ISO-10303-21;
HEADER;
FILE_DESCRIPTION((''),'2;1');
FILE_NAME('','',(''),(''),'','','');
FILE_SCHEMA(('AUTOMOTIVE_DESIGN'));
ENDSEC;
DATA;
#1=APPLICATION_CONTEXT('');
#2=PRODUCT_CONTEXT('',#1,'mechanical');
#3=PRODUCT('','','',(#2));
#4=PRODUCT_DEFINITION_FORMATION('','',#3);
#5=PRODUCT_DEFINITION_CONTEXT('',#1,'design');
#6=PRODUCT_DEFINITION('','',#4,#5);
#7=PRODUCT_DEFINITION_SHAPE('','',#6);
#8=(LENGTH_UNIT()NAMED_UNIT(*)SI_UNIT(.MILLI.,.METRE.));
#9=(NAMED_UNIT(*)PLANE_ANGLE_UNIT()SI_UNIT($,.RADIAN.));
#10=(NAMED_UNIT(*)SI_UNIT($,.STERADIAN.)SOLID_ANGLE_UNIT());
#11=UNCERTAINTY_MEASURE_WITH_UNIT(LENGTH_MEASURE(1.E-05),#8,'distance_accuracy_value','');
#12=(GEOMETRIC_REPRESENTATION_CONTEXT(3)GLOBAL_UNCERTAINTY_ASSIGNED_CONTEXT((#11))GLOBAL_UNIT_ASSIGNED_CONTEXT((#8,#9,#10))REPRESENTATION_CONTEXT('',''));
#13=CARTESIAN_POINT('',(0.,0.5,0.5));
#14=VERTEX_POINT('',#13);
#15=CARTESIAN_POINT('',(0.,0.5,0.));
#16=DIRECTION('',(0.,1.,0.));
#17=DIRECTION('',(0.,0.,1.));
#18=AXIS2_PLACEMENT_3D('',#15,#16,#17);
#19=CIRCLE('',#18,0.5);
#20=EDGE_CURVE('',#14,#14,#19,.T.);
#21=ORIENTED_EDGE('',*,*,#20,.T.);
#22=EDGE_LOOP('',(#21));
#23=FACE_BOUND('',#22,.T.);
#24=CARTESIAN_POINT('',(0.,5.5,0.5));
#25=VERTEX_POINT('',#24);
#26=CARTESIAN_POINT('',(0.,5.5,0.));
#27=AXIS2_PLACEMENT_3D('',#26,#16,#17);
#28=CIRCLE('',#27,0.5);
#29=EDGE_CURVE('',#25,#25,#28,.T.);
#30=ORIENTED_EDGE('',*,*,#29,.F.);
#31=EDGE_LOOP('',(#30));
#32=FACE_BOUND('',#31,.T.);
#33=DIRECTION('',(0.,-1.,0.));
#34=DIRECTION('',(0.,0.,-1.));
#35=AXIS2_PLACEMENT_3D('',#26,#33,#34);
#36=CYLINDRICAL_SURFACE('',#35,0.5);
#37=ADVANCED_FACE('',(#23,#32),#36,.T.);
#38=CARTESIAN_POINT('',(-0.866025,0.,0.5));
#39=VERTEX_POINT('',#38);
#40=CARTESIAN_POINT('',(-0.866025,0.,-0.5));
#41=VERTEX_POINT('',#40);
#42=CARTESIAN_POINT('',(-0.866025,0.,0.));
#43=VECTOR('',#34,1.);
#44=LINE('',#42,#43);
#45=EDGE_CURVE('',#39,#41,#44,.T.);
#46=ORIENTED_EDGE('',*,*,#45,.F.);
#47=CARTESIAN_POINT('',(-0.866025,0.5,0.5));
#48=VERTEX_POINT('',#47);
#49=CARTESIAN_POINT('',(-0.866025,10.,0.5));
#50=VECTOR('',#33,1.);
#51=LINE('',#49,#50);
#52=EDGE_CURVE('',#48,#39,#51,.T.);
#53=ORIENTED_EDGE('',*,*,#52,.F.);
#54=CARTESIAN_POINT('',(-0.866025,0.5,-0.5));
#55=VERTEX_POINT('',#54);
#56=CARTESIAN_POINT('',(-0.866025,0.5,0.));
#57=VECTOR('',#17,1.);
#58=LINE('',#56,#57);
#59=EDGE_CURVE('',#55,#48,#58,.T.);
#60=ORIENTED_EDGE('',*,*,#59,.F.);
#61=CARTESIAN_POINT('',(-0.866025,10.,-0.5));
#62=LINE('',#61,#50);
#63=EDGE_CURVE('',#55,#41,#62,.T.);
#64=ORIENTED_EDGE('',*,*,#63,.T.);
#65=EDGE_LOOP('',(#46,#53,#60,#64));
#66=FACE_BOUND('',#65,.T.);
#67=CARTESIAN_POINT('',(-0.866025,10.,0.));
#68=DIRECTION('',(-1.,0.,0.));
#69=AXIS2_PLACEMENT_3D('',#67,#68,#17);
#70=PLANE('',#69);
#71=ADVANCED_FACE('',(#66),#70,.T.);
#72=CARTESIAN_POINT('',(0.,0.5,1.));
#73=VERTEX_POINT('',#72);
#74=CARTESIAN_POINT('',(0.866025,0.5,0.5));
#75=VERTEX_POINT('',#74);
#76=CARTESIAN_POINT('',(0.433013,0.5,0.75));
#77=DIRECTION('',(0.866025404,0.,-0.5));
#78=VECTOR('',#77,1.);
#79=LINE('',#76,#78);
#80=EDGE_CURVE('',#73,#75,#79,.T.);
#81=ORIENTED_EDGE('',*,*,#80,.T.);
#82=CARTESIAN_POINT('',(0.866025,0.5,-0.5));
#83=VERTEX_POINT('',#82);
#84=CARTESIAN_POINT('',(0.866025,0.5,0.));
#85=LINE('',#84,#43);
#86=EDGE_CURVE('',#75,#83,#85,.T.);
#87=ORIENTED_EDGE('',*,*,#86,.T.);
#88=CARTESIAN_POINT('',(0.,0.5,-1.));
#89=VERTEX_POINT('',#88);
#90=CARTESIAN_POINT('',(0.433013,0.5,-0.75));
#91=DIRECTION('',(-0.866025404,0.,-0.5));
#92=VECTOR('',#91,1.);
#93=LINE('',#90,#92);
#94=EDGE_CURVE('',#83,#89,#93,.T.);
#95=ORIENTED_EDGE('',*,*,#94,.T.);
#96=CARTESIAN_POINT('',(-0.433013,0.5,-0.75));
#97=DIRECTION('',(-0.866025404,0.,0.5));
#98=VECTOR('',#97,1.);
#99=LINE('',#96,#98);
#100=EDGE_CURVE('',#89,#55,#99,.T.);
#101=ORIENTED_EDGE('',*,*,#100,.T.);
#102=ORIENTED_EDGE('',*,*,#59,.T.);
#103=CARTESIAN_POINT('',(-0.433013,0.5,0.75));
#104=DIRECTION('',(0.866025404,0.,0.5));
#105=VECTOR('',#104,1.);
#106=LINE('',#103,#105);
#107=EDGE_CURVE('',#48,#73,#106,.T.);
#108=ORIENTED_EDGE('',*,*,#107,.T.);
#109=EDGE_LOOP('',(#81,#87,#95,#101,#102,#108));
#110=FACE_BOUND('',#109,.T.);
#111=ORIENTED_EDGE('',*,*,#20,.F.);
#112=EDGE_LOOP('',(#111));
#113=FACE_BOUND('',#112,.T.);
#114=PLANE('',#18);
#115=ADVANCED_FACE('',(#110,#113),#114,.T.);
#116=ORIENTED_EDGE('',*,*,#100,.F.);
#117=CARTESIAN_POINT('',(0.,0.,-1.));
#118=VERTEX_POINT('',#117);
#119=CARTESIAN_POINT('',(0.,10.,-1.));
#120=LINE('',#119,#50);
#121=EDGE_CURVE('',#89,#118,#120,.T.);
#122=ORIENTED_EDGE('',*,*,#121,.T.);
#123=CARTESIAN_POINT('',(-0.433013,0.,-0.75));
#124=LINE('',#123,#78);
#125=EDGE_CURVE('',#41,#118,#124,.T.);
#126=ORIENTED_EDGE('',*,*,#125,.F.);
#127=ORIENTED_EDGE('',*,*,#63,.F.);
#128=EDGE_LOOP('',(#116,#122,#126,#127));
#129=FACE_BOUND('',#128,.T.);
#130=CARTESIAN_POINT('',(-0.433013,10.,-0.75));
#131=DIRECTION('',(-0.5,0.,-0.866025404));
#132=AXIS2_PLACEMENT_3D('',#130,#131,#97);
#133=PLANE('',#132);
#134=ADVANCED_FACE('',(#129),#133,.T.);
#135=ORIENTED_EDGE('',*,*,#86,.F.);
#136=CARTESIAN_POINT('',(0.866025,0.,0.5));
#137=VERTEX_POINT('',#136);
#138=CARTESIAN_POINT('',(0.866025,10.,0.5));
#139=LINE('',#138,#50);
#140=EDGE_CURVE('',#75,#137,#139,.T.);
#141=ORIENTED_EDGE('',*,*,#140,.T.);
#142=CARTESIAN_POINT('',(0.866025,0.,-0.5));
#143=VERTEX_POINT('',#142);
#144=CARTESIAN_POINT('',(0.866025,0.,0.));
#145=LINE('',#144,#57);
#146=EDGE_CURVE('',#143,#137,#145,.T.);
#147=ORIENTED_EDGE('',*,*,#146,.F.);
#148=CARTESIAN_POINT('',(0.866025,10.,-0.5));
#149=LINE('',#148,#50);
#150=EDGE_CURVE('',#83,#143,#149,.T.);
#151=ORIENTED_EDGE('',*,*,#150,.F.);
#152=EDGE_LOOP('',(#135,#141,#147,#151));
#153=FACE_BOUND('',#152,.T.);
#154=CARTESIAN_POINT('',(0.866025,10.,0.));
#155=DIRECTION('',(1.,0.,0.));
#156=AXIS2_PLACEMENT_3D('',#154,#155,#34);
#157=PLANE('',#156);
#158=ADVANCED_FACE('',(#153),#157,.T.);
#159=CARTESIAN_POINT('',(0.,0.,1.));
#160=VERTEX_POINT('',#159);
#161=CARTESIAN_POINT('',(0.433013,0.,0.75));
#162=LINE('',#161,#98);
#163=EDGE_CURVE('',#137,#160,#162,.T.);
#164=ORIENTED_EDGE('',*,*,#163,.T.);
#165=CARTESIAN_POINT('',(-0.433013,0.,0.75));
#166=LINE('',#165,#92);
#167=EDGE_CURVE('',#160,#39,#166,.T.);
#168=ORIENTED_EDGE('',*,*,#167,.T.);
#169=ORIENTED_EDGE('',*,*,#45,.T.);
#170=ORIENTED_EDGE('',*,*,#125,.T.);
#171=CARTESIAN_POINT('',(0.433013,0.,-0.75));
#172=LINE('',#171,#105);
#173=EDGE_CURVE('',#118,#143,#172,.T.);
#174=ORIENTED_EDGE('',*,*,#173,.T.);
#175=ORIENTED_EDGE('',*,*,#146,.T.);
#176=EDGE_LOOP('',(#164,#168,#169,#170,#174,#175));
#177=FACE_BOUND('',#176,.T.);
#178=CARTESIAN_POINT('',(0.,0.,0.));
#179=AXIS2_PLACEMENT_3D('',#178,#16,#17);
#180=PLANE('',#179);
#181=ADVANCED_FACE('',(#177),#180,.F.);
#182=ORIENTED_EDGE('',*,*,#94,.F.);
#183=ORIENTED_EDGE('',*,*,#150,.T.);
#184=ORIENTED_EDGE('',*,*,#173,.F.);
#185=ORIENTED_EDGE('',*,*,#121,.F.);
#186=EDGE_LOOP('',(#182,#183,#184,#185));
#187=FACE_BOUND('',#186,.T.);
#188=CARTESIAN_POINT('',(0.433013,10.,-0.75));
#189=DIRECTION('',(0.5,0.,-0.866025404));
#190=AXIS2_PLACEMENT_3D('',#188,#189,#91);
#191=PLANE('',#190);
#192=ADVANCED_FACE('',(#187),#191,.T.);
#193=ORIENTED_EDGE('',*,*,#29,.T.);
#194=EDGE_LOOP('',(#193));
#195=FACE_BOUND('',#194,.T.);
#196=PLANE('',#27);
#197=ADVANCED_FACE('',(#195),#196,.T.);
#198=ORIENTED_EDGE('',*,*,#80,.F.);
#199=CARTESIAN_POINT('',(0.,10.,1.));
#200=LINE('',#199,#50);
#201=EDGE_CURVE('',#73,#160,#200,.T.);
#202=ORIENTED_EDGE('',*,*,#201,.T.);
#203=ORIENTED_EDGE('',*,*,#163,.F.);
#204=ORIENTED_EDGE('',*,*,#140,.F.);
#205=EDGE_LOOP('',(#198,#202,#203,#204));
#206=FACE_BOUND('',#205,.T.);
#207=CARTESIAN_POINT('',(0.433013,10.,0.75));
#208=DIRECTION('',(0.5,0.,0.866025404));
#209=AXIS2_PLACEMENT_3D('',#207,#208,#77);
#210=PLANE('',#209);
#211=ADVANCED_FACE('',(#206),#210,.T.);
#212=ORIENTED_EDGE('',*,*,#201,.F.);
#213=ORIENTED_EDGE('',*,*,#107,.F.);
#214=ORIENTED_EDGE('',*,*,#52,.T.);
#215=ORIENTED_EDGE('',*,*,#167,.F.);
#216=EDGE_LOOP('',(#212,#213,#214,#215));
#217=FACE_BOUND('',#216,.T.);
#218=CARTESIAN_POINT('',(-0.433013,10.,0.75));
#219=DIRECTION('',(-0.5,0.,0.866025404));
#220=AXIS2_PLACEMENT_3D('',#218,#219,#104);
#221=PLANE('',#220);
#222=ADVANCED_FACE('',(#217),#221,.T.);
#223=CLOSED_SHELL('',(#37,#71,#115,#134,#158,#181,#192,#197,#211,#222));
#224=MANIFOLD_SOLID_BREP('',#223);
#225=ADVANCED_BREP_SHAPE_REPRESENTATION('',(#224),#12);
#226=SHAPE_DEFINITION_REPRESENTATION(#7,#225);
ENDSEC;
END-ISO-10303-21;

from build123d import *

# Parameters (mm, degrees)
SKETCH1_R           = 1
BOSS_EXTRUDE1_DEPTH = 0.5
SKETCH2_R           = 0.5
BOSS_EXTRUDE2_DEPTH = 5
SKETCH3_OUTSIDE_W   = 5.236
SKETCH3_OUTSIDE_H   = 5.236
CUT_EXTRUDE2_DEPTH  = 10


with BuildPart() as part:
    # Sketch1 → Boss-Extrude1 (new body)
    with BuildSketch(Plane(origin=(0, 0, 0), x_dir=(1, 0, 0), z_dir=(0, 1, 0))):
        Circle(SKETCH1_R)
    extrude(amount=BOSS_EXTRUDE1_DEPTH)

    # Sketch2 → Boss-Extrude2 (add)
    with BuildSketch(Plane(origin=(0, 0.5, 0), x_dir=(1, 0, 0), z_dir=(0, 1, 0))):
        Circle(SKETCH2_R)
    extrude(amount=BOSS_EXTRUDE2_DEPTH)

    # Sketch3 outside → Cut-Extrude2 (cut)
    with BuildSketch(Plane(origin=(0, 0, 0), x_dir=(-1, 0, 0), z_dir=(0, -1, 0))):
        Rectangle(SKETCH3_OUTSIDE_W, SKETCH3_OUTSIDE_H)
        Polygon((0.866025404, 0.5), (0, 1), (-0.866025404, 0.5), (-0.866025404, -0.5), (0, -1), (0.866025404, -0.5), align=None, mode=Mode.SUBTRACT)
    extrude(amount=-CUT_EXTRUDE2_DEPTH, mode=Mode.SUBTRACT)


solid = part.part
